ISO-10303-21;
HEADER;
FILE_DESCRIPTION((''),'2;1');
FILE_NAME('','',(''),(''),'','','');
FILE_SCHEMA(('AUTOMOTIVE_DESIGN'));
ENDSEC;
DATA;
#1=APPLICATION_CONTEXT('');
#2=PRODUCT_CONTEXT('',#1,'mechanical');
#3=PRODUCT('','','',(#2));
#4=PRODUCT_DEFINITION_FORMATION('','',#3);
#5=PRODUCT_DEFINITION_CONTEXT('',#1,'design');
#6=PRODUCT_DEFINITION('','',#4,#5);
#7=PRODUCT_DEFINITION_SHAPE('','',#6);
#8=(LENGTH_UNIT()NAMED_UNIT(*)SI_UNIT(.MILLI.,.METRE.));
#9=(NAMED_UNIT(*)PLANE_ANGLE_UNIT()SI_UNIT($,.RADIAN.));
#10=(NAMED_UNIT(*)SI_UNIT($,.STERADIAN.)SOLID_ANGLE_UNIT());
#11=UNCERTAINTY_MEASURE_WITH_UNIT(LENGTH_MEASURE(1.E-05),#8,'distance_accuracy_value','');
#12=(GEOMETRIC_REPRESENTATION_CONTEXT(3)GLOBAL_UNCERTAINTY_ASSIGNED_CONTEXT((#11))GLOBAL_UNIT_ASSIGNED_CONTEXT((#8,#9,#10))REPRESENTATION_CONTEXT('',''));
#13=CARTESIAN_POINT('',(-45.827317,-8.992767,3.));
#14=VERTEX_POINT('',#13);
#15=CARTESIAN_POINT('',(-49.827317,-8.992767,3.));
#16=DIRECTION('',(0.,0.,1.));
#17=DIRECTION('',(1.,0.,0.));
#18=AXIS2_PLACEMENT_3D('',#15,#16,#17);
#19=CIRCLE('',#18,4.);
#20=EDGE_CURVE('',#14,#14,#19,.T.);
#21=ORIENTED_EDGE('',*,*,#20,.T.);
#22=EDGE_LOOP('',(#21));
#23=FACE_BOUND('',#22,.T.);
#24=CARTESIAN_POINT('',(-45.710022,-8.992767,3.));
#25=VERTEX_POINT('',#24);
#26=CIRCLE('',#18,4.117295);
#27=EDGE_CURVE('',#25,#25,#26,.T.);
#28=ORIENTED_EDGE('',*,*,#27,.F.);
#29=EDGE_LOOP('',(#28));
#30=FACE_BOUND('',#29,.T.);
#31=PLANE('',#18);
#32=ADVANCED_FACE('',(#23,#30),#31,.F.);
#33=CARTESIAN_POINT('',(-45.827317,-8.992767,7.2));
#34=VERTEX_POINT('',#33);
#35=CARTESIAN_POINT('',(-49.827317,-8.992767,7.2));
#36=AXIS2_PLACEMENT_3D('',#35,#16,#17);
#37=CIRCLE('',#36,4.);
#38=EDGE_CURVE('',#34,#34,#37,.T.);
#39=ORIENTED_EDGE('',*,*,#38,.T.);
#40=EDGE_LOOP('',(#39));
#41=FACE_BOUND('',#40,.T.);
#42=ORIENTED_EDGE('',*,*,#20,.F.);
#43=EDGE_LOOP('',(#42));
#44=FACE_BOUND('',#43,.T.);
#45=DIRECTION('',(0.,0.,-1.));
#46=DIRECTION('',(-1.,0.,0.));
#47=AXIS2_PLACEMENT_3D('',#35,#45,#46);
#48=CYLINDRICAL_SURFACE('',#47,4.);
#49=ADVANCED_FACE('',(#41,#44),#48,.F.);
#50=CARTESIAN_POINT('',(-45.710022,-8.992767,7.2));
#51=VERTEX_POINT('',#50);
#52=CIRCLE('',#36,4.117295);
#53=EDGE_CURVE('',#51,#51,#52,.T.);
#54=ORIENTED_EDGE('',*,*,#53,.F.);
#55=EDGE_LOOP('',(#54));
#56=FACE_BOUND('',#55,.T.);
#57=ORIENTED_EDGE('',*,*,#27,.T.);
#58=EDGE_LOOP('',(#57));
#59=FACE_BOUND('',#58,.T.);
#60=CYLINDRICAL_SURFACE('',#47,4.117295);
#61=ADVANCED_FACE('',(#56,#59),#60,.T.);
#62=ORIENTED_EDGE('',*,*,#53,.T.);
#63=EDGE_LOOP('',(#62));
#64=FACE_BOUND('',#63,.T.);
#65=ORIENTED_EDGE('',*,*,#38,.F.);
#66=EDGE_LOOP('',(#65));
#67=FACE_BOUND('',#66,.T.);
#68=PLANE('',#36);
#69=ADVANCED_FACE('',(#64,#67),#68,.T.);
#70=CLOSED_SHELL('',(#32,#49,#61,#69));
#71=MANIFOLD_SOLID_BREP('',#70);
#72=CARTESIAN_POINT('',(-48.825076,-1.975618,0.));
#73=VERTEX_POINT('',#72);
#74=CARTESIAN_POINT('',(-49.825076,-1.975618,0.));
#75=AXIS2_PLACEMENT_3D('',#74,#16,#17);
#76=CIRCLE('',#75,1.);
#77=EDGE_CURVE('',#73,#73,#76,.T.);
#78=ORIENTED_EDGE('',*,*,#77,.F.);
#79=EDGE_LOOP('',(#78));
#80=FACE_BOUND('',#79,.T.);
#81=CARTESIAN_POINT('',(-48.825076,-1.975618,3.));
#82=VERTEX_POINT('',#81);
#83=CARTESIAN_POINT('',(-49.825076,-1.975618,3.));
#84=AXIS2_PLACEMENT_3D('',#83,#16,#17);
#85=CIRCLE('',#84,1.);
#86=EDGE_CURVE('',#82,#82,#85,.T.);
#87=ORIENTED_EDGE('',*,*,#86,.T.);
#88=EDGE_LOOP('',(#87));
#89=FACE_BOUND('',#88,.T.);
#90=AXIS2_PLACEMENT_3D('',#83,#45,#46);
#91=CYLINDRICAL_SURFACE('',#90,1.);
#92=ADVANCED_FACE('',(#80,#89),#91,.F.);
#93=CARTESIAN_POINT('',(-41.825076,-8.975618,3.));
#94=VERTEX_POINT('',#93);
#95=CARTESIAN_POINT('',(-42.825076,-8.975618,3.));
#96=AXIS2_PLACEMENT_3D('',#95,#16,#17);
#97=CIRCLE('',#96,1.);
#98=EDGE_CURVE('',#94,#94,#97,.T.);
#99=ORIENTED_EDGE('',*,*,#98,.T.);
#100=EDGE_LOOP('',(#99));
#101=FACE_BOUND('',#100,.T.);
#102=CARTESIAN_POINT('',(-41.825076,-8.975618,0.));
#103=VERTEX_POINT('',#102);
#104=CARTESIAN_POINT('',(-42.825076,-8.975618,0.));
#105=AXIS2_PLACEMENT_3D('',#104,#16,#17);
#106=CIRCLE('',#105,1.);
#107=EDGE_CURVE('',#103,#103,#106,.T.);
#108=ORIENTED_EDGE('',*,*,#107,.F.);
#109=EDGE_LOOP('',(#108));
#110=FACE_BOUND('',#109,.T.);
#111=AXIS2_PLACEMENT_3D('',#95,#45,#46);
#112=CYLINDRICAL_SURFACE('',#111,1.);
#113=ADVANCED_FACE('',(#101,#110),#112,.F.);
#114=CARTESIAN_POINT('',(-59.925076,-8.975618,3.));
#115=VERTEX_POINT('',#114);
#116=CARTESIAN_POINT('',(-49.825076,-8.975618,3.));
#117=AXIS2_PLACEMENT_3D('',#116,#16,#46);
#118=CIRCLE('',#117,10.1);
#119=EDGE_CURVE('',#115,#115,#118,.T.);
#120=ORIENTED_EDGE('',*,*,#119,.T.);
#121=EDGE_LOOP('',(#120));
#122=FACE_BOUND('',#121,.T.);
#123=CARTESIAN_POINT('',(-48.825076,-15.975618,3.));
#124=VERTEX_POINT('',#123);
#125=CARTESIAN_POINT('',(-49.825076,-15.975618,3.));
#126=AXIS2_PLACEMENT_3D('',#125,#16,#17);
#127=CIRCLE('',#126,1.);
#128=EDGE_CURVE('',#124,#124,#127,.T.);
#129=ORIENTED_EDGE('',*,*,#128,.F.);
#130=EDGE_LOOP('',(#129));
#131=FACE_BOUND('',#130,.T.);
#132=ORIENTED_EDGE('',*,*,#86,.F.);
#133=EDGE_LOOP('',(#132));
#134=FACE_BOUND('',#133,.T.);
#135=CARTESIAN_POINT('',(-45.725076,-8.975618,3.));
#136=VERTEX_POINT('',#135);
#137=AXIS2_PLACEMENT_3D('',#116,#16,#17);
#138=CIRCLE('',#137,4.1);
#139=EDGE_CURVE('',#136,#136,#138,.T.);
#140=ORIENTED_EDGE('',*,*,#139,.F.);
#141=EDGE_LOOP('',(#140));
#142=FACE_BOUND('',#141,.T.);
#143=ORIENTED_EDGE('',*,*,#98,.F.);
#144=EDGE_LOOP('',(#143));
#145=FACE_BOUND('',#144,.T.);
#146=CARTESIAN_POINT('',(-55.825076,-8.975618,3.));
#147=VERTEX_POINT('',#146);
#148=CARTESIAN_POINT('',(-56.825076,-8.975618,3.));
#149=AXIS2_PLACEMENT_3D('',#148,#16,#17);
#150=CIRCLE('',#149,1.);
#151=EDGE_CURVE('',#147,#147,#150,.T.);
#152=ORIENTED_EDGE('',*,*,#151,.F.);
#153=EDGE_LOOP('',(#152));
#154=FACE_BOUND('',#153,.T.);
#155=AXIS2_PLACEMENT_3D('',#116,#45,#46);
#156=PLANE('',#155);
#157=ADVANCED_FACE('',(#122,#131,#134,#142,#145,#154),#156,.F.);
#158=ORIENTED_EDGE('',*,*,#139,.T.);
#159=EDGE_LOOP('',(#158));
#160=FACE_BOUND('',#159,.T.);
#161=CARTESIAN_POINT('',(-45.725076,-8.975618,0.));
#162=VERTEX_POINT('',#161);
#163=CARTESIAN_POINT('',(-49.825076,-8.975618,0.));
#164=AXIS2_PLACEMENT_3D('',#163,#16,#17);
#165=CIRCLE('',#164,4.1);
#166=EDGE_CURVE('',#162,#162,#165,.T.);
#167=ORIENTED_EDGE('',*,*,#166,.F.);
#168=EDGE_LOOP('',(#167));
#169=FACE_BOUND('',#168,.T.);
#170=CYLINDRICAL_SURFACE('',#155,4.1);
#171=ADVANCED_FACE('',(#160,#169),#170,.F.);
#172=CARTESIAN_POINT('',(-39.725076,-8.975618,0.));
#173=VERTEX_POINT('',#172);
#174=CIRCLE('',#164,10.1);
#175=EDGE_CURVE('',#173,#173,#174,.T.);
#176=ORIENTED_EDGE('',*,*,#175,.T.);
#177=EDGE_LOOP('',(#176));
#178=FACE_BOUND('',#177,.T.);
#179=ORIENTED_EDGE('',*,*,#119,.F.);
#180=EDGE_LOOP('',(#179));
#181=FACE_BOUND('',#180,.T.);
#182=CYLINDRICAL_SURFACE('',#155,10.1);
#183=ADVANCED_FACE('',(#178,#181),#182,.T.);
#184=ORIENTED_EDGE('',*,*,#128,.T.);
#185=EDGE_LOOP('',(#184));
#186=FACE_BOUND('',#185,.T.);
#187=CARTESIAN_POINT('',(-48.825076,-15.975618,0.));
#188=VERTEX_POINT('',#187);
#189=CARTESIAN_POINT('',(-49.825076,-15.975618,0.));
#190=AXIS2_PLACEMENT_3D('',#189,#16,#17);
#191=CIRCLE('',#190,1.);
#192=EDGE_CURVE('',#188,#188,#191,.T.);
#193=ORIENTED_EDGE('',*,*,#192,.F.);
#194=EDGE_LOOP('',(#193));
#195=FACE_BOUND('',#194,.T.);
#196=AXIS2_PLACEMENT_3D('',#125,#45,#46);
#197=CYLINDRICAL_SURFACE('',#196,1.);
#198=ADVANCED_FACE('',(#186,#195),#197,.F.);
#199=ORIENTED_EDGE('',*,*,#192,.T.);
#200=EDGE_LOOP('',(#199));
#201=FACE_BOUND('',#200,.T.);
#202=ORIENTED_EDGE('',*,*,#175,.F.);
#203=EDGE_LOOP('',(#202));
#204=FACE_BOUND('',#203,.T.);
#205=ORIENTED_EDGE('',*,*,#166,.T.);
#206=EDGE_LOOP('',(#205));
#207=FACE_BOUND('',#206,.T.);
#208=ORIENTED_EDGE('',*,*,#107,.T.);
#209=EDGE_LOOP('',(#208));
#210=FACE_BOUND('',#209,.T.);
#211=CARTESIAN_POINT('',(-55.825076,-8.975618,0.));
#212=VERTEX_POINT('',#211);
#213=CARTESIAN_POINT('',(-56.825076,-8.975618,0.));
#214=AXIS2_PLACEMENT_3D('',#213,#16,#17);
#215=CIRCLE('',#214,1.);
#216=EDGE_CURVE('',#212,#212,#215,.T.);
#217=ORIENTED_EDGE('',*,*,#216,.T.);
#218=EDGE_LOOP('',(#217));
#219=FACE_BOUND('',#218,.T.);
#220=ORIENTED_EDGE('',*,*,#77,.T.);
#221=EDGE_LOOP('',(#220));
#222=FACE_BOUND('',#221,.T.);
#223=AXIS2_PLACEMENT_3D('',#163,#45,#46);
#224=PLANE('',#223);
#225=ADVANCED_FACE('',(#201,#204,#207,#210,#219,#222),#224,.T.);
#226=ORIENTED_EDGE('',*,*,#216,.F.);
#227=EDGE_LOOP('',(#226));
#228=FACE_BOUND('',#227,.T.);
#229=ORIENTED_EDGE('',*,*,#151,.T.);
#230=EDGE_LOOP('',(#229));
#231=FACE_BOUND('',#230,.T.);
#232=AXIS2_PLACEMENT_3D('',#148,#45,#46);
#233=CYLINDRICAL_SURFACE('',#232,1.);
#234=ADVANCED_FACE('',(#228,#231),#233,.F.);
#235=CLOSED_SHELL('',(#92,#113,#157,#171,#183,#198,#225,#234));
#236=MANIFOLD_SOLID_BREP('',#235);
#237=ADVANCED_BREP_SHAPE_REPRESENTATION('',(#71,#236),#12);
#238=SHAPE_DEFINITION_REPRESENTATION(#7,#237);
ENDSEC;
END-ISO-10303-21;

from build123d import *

# Parameters (mm, degrees)
IZIM1_R                     = 1
IZIM1_R_2                   = 4.1
Y_KSEKLIK_EKSTR_ZYON1_DEPTH = 3
IZIM4_R                     = 4.117295272
IZIM4_R_2                   = 4
Y_KSEKLIK_EKSTR_ZYON4_DEPTH = 4.2


with BuildPart() as part:
    # Çizim1 → Yükseklik-Ekstrüzyon1 (new body)
    with BuildSketch(Plane.XY):
        with BuildLine():
            ThreePointArc((-49.825075544, 1.124382022), (-59.925075544, -8.975617978), (-49.825075544, -19.075617978))
            ThreePointArc((-49.825075544, -19.075617978), (-39.725075544, -8.975617978), (-49.825075544, 1.124382022))
        make_face()
        with Locations((-49.825075544, -15.975617978)):
            Circle(IZIM1_R, mode=Mode.SUBTRACT)
        with Locations((-56.825075544, -8.975617978)):
            Circle(IZIM1_R, mode=Mode.SUBTRACT)
        with Locations((-49.825075544, -1.975617978)):
            Circle(IZIM1_R, mode=Mode.SUBTRACT)
        with Locations((-42.825075544, -8.975617978)):
            Circle(IZIM1_R, mode=Mode.SUBTRACT)
        with Locations((-49.825075544, -8.975617978)):
            Circle(IZIM1_R_2, mode=Mode.SUBTRACT)
    extrude(amount=Y_KSEKLIK_EKSTR_ZYON1_DEPTH)


with BuildPart() as body_2:
    # Çizim4 → Yükseklik-Ekstrüzyon4 (new body)
    with BuildSketch(Plane.XY.offset(3)):
        with Locations((-49.827317292, -8.992767351)):
            Circle(IZIM4_R)
        with Locations((-49.827317292, -8.992767351)):
            Circle(IZIM4_R_2, mode=Mode.SUBTRACT)
    extrude(amount=Y_KSEKLIK_EKSTR_ZYON4_DEPTH)


solid = Compound([part.part, body_2.part])
